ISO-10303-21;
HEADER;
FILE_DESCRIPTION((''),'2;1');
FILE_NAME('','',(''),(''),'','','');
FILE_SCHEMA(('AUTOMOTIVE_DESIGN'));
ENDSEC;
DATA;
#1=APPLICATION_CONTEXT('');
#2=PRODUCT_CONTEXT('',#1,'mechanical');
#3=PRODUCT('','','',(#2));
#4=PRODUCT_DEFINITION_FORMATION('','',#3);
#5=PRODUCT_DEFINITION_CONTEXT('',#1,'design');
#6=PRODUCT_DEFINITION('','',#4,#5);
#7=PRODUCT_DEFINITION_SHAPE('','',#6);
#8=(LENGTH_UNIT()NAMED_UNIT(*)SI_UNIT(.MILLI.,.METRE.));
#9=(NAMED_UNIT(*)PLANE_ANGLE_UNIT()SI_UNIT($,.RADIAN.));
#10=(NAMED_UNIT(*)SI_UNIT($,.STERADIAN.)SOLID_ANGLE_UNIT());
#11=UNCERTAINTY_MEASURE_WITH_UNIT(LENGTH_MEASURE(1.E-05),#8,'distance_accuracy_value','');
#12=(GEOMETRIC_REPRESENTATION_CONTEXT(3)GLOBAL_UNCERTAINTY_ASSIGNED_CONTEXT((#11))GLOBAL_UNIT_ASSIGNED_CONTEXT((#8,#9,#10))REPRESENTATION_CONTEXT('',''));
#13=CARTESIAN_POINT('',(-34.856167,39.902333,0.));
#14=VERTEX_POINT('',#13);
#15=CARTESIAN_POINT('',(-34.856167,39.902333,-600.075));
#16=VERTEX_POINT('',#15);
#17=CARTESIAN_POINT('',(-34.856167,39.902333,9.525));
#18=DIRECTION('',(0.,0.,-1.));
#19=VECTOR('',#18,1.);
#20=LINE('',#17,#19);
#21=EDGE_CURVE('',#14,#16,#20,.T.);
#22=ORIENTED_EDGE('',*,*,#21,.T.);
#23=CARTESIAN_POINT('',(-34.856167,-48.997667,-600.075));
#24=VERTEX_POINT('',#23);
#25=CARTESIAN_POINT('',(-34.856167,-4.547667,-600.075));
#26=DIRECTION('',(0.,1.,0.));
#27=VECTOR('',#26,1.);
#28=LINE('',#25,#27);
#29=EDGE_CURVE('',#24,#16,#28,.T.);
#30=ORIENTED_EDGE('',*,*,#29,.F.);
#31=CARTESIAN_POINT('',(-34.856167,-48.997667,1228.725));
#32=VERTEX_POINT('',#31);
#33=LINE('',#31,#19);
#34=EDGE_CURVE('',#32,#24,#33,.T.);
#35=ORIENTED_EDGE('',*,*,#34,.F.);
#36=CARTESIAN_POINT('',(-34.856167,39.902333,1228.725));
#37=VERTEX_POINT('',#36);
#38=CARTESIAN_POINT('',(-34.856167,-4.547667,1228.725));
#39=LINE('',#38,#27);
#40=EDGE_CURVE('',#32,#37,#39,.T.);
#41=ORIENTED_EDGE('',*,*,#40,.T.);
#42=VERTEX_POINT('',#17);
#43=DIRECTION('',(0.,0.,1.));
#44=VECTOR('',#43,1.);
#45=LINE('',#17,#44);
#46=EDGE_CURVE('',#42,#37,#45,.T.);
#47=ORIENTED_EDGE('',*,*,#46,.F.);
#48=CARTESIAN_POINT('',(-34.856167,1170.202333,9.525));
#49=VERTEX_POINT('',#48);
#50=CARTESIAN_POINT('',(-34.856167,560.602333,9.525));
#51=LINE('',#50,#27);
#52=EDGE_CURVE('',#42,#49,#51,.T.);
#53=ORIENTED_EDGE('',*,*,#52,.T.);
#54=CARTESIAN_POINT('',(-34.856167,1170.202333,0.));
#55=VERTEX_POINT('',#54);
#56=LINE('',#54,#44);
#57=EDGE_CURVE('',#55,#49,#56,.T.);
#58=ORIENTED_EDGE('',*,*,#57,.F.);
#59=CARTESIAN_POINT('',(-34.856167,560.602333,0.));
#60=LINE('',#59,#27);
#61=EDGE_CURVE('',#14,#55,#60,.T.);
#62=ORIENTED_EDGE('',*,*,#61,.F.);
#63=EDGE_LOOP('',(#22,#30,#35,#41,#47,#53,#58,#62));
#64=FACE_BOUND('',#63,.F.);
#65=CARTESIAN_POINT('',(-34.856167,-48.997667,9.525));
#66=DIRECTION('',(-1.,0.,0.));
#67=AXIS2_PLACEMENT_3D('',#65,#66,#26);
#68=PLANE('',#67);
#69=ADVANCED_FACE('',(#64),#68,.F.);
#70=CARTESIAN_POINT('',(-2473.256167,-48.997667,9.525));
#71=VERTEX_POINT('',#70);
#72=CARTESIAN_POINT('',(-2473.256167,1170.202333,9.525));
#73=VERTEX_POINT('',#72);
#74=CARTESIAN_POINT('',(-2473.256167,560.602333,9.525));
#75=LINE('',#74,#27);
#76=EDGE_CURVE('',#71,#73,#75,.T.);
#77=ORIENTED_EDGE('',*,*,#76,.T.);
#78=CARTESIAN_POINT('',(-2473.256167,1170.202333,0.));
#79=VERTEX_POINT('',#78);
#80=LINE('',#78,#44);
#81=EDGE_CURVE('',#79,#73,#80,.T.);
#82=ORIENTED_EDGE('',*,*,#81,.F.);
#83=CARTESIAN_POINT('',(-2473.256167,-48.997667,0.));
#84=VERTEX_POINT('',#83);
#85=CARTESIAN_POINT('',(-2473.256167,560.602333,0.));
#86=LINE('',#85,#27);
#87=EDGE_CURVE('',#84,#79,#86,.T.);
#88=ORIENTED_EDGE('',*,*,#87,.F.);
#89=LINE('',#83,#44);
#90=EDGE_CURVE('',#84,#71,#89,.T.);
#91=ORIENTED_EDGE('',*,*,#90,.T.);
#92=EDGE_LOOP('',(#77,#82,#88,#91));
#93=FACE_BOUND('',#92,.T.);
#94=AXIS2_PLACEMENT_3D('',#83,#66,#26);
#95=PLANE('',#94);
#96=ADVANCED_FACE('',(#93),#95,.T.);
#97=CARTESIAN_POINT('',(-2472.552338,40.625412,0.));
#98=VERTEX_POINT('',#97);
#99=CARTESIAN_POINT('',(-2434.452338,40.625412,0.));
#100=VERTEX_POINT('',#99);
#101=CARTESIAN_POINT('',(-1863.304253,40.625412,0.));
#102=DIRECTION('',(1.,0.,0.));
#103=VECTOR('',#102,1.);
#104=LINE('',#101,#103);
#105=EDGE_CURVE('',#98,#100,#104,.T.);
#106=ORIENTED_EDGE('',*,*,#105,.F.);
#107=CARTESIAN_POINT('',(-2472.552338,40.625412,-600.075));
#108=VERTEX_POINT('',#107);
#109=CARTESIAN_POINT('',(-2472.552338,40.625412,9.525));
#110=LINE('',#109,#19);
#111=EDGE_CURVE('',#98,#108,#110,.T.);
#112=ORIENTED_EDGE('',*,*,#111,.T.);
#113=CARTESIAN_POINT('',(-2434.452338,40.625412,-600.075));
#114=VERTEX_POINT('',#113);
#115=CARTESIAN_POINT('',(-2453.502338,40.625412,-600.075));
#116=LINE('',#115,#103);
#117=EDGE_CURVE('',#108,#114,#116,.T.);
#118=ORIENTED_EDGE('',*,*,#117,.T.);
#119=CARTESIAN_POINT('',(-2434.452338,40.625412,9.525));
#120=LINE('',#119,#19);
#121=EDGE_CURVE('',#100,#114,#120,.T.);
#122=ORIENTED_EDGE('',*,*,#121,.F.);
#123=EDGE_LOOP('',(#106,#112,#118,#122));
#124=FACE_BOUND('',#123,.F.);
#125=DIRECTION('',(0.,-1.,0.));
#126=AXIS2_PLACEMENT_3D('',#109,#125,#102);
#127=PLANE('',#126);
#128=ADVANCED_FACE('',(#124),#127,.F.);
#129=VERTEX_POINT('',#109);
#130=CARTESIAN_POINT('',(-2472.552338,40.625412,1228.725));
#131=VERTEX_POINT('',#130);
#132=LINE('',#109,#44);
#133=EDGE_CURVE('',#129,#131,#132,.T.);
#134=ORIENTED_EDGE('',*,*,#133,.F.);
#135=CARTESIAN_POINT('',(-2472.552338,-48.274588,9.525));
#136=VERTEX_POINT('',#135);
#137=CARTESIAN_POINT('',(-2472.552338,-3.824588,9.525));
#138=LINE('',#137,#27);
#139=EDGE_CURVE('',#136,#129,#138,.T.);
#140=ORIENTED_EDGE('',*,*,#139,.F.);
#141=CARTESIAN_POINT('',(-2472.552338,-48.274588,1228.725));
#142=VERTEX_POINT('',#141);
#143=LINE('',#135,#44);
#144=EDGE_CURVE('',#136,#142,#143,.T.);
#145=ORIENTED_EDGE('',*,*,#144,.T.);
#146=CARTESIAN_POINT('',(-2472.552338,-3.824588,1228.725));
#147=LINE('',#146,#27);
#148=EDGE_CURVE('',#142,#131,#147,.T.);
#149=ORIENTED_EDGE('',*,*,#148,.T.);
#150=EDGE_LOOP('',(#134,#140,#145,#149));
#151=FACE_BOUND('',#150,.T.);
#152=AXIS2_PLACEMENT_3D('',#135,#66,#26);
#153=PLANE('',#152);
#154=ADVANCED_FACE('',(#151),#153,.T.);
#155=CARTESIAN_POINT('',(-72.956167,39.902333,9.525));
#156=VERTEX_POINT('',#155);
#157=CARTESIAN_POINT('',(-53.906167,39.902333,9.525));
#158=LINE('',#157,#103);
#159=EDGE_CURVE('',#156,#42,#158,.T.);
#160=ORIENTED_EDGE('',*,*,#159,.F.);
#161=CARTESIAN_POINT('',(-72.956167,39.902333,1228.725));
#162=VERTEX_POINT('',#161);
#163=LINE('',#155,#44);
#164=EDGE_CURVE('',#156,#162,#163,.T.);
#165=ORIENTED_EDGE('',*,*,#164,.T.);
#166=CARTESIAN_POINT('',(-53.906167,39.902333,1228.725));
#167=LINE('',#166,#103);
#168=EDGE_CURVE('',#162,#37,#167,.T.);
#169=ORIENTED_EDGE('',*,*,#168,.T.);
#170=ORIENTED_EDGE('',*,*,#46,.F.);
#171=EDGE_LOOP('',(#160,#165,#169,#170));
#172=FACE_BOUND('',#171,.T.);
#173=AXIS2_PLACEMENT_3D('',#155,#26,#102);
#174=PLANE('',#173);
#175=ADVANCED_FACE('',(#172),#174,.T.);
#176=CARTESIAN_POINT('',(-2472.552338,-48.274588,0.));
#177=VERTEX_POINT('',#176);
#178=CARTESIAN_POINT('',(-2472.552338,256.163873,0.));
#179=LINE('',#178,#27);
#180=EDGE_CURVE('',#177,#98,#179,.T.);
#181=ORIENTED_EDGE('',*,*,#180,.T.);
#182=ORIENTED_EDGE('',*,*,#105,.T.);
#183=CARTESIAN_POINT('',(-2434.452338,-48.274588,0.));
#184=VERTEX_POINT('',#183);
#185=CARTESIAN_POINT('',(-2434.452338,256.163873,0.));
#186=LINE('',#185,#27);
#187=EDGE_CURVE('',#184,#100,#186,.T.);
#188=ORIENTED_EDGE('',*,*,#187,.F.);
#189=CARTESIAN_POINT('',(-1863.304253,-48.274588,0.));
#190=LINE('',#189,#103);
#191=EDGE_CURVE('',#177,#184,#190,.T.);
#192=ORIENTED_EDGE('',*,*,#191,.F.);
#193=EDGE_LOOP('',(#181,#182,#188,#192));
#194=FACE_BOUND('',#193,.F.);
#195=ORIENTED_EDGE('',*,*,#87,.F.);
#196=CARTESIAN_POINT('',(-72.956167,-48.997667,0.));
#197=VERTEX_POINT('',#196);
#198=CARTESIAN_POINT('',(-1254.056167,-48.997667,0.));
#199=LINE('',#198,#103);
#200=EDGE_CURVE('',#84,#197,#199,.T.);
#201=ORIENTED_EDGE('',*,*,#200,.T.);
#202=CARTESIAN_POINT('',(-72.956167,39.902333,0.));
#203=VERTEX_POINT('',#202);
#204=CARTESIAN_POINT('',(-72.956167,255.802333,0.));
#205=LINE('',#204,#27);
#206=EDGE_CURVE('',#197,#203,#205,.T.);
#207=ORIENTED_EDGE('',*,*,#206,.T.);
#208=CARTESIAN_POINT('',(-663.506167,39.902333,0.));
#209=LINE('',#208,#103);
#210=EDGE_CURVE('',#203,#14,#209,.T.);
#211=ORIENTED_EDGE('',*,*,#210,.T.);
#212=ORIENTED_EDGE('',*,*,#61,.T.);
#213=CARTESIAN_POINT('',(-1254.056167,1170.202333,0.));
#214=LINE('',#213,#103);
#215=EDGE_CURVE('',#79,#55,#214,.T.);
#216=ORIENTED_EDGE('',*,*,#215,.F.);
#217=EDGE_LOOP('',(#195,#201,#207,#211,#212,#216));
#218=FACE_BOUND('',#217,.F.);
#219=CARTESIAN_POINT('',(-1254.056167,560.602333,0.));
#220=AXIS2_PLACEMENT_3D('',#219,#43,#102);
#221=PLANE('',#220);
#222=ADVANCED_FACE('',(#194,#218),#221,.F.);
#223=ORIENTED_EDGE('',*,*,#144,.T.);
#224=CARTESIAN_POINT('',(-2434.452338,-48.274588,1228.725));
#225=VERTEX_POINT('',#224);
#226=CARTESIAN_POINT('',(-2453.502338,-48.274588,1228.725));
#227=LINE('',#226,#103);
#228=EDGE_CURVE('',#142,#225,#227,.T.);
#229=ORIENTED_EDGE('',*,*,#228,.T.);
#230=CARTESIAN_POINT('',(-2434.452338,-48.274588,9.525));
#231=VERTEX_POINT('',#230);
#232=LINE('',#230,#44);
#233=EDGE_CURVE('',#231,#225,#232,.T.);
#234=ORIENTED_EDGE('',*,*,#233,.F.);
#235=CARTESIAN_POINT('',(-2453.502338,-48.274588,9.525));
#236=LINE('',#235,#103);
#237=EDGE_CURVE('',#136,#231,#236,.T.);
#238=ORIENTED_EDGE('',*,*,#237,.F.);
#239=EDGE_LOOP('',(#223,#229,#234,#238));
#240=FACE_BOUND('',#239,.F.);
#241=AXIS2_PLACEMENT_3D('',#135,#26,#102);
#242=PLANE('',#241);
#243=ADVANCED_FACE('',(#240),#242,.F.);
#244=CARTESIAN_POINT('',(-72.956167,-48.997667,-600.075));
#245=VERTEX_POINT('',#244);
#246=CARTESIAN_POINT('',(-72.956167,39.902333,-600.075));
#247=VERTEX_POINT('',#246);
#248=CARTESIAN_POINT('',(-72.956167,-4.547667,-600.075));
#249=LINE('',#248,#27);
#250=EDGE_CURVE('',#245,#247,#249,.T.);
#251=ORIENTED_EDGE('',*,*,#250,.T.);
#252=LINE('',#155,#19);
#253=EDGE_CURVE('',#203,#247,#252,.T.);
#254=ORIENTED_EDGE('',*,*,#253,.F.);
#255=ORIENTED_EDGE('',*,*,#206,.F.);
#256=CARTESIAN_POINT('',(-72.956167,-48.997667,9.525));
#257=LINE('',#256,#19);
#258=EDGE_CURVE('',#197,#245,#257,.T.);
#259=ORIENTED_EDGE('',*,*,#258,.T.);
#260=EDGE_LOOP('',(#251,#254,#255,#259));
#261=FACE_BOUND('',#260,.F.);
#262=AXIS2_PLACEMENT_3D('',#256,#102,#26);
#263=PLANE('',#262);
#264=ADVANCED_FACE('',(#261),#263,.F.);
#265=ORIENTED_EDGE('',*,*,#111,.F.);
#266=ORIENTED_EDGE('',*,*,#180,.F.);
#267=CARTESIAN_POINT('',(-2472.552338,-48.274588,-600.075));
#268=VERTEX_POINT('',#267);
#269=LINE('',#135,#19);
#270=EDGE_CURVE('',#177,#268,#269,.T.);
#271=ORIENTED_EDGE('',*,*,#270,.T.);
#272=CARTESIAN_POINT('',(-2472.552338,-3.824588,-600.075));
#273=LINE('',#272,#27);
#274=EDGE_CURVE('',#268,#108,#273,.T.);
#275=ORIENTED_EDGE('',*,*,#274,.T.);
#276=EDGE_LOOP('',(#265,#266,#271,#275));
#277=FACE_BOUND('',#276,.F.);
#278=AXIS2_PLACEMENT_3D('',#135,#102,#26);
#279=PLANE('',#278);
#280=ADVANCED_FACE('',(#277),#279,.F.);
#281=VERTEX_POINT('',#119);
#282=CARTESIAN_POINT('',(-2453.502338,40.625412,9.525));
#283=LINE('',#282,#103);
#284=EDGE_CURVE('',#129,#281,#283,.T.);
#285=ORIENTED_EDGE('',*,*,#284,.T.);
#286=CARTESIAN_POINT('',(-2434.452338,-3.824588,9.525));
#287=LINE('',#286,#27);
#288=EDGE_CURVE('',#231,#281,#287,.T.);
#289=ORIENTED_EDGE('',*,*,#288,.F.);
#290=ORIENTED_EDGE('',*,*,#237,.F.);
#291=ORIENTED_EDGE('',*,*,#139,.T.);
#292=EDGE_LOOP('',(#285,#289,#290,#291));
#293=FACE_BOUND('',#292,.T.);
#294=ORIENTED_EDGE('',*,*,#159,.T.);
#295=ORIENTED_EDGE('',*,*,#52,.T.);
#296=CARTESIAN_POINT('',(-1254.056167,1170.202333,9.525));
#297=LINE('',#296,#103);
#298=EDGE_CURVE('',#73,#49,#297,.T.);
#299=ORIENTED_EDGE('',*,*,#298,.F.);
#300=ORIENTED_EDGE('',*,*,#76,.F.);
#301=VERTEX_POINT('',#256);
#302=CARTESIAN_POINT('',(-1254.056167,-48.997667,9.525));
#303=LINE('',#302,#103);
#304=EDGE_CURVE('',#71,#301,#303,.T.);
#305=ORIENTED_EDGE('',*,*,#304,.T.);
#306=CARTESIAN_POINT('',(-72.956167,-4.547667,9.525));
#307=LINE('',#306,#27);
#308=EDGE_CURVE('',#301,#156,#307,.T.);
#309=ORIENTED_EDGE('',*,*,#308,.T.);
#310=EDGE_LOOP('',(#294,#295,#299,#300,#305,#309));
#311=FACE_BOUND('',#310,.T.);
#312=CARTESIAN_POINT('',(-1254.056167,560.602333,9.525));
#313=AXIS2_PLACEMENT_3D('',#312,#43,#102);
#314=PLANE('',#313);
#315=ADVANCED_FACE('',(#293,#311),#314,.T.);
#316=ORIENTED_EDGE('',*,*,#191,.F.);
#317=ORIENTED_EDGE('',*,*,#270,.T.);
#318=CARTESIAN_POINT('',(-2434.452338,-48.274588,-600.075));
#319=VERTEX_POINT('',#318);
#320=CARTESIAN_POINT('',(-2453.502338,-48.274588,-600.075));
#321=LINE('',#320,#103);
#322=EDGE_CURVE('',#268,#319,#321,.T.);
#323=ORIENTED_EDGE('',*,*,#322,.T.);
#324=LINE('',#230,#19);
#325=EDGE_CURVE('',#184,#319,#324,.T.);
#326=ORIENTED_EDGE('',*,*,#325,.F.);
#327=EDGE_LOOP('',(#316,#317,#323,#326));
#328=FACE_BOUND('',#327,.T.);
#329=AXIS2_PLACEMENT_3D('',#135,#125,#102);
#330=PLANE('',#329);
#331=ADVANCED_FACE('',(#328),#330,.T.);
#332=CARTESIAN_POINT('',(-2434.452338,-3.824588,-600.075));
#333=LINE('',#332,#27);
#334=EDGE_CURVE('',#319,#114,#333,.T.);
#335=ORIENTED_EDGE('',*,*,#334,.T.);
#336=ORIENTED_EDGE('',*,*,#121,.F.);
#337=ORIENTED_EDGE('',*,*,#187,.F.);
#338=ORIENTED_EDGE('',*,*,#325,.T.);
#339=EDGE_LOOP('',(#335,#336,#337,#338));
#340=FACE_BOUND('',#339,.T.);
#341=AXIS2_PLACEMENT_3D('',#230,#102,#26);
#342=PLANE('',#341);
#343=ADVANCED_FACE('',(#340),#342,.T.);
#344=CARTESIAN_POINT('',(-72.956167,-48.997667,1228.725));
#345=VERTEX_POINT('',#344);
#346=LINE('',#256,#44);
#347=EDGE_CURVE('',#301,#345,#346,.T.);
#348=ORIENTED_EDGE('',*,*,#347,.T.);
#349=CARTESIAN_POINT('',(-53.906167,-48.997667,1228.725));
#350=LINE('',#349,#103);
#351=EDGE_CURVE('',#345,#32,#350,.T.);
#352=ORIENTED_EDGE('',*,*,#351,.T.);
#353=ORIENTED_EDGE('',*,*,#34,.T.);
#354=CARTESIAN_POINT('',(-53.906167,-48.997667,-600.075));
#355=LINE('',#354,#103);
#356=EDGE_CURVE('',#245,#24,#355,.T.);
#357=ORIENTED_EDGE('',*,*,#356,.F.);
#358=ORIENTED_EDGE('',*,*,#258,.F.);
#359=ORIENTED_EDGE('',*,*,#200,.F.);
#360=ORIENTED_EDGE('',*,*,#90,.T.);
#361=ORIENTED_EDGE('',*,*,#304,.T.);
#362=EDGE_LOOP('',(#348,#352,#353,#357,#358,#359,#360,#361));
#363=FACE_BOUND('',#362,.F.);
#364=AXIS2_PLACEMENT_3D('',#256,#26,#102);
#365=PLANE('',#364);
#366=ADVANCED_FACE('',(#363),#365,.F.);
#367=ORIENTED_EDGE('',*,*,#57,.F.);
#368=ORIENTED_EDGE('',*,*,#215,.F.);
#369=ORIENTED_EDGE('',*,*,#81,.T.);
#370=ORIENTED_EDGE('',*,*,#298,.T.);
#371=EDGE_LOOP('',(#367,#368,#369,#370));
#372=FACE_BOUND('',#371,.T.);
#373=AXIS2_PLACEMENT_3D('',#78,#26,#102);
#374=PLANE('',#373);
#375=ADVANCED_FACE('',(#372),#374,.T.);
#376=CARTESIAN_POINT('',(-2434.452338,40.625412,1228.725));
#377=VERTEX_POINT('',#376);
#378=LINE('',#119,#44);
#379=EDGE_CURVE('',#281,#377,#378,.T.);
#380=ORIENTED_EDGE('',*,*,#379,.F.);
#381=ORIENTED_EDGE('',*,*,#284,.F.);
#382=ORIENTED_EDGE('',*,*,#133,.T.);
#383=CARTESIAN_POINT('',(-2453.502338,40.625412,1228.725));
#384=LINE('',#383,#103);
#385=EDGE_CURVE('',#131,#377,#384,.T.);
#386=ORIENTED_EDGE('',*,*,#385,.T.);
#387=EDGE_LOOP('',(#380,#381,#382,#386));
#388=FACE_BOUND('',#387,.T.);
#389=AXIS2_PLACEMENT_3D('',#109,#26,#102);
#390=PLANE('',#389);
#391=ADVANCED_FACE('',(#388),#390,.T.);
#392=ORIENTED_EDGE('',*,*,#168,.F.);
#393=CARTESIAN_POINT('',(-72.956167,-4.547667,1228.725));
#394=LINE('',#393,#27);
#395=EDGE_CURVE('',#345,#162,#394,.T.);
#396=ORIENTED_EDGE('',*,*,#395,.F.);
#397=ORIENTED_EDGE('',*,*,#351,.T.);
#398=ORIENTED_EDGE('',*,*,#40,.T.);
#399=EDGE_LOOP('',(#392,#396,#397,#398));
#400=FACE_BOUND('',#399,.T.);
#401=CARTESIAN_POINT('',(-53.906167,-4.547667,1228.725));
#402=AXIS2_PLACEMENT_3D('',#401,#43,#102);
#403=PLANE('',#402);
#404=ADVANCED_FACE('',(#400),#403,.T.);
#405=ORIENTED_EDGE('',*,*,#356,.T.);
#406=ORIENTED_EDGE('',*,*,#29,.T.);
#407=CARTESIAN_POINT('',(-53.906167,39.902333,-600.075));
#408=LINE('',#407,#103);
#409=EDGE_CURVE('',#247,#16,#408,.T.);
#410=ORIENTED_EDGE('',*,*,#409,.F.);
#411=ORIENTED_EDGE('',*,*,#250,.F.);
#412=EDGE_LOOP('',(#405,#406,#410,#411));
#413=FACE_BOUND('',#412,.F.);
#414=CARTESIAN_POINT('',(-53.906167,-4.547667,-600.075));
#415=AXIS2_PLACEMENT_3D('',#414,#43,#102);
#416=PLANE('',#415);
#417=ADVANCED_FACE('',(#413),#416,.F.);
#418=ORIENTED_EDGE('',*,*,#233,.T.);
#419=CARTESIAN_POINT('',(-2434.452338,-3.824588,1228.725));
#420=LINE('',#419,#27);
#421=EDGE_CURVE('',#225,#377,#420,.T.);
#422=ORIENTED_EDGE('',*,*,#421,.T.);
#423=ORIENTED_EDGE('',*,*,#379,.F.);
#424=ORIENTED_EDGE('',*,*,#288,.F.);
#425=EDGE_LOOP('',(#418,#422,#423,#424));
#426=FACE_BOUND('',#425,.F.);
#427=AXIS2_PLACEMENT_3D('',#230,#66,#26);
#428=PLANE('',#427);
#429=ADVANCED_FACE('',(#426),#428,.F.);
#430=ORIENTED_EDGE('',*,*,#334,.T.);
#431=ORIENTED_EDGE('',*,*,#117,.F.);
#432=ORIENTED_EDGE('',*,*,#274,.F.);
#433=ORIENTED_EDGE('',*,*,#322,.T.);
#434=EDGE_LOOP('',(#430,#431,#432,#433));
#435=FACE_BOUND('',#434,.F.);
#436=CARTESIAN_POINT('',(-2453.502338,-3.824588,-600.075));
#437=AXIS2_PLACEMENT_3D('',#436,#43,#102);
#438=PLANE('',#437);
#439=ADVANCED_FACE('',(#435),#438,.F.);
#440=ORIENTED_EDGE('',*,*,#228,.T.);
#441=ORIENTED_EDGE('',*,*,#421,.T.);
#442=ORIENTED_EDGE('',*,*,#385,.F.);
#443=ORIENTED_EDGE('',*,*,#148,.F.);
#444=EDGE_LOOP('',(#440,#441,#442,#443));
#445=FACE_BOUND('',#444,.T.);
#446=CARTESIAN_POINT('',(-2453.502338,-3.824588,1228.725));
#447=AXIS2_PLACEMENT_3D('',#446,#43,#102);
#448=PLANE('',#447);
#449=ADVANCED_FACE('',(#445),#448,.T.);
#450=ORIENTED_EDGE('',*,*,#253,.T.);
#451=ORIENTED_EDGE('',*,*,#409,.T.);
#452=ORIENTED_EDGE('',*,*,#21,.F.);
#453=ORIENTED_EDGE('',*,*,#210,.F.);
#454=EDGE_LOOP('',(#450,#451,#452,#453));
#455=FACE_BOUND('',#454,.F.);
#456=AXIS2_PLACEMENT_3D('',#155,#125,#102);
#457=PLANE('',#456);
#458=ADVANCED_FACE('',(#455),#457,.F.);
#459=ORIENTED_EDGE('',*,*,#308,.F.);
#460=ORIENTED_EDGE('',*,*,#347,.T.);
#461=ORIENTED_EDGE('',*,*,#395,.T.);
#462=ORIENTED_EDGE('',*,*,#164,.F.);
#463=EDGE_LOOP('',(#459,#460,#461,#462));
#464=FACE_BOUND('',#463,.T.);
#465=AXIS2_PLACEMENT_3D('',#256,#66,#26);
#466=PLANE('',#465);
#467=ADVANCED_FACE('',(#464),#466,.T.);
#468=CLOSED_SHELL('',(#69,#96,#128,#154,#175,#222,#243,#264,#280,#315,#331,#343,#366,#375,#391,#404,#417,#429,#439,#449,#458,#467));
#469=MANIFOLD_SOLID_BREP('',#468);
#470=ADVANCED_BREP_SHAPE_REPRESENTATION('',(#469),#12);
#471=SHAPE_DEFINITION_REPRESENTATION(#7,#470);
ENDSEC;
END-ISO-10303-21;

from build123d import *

# Parameters (mm, degrees)
F0_W          = 2438.4
F0_H          = 1219.2
F1_DEPTH      = 9.525
F2_W          = 38.1
F2_H          = 88.9
F3_DEPTH      = 1219.2
F3_DEPTH_BACK = 609.6


with BuildPart() as f1:
    # F0 (on Top) → F1 (new body)
    with BuildSketch(Plane.XY):
        with Locations((-1254.056167, 560.602333)):
            Rectangle(F0_W, F0_H)
    extrude(amount=F1_DEPTH)

    # F2 (on face) → F3 (join, two sides)
    with BuildSketch(Plane.XY.offset(9.525)) as f3_sk:
        with Locations((-2453.502338, -3.824588)):
            Rectangle(F2_W, F2_H)
        with Locations((-53.906167, -4.547667)):
            Rectangle(F2_W, F2_H)
    extrude(amount=F3_DEPTH)
    extrude(f3_sk.sketch, amount=-F3_DEPTH_BACK)


solid = f1.part
